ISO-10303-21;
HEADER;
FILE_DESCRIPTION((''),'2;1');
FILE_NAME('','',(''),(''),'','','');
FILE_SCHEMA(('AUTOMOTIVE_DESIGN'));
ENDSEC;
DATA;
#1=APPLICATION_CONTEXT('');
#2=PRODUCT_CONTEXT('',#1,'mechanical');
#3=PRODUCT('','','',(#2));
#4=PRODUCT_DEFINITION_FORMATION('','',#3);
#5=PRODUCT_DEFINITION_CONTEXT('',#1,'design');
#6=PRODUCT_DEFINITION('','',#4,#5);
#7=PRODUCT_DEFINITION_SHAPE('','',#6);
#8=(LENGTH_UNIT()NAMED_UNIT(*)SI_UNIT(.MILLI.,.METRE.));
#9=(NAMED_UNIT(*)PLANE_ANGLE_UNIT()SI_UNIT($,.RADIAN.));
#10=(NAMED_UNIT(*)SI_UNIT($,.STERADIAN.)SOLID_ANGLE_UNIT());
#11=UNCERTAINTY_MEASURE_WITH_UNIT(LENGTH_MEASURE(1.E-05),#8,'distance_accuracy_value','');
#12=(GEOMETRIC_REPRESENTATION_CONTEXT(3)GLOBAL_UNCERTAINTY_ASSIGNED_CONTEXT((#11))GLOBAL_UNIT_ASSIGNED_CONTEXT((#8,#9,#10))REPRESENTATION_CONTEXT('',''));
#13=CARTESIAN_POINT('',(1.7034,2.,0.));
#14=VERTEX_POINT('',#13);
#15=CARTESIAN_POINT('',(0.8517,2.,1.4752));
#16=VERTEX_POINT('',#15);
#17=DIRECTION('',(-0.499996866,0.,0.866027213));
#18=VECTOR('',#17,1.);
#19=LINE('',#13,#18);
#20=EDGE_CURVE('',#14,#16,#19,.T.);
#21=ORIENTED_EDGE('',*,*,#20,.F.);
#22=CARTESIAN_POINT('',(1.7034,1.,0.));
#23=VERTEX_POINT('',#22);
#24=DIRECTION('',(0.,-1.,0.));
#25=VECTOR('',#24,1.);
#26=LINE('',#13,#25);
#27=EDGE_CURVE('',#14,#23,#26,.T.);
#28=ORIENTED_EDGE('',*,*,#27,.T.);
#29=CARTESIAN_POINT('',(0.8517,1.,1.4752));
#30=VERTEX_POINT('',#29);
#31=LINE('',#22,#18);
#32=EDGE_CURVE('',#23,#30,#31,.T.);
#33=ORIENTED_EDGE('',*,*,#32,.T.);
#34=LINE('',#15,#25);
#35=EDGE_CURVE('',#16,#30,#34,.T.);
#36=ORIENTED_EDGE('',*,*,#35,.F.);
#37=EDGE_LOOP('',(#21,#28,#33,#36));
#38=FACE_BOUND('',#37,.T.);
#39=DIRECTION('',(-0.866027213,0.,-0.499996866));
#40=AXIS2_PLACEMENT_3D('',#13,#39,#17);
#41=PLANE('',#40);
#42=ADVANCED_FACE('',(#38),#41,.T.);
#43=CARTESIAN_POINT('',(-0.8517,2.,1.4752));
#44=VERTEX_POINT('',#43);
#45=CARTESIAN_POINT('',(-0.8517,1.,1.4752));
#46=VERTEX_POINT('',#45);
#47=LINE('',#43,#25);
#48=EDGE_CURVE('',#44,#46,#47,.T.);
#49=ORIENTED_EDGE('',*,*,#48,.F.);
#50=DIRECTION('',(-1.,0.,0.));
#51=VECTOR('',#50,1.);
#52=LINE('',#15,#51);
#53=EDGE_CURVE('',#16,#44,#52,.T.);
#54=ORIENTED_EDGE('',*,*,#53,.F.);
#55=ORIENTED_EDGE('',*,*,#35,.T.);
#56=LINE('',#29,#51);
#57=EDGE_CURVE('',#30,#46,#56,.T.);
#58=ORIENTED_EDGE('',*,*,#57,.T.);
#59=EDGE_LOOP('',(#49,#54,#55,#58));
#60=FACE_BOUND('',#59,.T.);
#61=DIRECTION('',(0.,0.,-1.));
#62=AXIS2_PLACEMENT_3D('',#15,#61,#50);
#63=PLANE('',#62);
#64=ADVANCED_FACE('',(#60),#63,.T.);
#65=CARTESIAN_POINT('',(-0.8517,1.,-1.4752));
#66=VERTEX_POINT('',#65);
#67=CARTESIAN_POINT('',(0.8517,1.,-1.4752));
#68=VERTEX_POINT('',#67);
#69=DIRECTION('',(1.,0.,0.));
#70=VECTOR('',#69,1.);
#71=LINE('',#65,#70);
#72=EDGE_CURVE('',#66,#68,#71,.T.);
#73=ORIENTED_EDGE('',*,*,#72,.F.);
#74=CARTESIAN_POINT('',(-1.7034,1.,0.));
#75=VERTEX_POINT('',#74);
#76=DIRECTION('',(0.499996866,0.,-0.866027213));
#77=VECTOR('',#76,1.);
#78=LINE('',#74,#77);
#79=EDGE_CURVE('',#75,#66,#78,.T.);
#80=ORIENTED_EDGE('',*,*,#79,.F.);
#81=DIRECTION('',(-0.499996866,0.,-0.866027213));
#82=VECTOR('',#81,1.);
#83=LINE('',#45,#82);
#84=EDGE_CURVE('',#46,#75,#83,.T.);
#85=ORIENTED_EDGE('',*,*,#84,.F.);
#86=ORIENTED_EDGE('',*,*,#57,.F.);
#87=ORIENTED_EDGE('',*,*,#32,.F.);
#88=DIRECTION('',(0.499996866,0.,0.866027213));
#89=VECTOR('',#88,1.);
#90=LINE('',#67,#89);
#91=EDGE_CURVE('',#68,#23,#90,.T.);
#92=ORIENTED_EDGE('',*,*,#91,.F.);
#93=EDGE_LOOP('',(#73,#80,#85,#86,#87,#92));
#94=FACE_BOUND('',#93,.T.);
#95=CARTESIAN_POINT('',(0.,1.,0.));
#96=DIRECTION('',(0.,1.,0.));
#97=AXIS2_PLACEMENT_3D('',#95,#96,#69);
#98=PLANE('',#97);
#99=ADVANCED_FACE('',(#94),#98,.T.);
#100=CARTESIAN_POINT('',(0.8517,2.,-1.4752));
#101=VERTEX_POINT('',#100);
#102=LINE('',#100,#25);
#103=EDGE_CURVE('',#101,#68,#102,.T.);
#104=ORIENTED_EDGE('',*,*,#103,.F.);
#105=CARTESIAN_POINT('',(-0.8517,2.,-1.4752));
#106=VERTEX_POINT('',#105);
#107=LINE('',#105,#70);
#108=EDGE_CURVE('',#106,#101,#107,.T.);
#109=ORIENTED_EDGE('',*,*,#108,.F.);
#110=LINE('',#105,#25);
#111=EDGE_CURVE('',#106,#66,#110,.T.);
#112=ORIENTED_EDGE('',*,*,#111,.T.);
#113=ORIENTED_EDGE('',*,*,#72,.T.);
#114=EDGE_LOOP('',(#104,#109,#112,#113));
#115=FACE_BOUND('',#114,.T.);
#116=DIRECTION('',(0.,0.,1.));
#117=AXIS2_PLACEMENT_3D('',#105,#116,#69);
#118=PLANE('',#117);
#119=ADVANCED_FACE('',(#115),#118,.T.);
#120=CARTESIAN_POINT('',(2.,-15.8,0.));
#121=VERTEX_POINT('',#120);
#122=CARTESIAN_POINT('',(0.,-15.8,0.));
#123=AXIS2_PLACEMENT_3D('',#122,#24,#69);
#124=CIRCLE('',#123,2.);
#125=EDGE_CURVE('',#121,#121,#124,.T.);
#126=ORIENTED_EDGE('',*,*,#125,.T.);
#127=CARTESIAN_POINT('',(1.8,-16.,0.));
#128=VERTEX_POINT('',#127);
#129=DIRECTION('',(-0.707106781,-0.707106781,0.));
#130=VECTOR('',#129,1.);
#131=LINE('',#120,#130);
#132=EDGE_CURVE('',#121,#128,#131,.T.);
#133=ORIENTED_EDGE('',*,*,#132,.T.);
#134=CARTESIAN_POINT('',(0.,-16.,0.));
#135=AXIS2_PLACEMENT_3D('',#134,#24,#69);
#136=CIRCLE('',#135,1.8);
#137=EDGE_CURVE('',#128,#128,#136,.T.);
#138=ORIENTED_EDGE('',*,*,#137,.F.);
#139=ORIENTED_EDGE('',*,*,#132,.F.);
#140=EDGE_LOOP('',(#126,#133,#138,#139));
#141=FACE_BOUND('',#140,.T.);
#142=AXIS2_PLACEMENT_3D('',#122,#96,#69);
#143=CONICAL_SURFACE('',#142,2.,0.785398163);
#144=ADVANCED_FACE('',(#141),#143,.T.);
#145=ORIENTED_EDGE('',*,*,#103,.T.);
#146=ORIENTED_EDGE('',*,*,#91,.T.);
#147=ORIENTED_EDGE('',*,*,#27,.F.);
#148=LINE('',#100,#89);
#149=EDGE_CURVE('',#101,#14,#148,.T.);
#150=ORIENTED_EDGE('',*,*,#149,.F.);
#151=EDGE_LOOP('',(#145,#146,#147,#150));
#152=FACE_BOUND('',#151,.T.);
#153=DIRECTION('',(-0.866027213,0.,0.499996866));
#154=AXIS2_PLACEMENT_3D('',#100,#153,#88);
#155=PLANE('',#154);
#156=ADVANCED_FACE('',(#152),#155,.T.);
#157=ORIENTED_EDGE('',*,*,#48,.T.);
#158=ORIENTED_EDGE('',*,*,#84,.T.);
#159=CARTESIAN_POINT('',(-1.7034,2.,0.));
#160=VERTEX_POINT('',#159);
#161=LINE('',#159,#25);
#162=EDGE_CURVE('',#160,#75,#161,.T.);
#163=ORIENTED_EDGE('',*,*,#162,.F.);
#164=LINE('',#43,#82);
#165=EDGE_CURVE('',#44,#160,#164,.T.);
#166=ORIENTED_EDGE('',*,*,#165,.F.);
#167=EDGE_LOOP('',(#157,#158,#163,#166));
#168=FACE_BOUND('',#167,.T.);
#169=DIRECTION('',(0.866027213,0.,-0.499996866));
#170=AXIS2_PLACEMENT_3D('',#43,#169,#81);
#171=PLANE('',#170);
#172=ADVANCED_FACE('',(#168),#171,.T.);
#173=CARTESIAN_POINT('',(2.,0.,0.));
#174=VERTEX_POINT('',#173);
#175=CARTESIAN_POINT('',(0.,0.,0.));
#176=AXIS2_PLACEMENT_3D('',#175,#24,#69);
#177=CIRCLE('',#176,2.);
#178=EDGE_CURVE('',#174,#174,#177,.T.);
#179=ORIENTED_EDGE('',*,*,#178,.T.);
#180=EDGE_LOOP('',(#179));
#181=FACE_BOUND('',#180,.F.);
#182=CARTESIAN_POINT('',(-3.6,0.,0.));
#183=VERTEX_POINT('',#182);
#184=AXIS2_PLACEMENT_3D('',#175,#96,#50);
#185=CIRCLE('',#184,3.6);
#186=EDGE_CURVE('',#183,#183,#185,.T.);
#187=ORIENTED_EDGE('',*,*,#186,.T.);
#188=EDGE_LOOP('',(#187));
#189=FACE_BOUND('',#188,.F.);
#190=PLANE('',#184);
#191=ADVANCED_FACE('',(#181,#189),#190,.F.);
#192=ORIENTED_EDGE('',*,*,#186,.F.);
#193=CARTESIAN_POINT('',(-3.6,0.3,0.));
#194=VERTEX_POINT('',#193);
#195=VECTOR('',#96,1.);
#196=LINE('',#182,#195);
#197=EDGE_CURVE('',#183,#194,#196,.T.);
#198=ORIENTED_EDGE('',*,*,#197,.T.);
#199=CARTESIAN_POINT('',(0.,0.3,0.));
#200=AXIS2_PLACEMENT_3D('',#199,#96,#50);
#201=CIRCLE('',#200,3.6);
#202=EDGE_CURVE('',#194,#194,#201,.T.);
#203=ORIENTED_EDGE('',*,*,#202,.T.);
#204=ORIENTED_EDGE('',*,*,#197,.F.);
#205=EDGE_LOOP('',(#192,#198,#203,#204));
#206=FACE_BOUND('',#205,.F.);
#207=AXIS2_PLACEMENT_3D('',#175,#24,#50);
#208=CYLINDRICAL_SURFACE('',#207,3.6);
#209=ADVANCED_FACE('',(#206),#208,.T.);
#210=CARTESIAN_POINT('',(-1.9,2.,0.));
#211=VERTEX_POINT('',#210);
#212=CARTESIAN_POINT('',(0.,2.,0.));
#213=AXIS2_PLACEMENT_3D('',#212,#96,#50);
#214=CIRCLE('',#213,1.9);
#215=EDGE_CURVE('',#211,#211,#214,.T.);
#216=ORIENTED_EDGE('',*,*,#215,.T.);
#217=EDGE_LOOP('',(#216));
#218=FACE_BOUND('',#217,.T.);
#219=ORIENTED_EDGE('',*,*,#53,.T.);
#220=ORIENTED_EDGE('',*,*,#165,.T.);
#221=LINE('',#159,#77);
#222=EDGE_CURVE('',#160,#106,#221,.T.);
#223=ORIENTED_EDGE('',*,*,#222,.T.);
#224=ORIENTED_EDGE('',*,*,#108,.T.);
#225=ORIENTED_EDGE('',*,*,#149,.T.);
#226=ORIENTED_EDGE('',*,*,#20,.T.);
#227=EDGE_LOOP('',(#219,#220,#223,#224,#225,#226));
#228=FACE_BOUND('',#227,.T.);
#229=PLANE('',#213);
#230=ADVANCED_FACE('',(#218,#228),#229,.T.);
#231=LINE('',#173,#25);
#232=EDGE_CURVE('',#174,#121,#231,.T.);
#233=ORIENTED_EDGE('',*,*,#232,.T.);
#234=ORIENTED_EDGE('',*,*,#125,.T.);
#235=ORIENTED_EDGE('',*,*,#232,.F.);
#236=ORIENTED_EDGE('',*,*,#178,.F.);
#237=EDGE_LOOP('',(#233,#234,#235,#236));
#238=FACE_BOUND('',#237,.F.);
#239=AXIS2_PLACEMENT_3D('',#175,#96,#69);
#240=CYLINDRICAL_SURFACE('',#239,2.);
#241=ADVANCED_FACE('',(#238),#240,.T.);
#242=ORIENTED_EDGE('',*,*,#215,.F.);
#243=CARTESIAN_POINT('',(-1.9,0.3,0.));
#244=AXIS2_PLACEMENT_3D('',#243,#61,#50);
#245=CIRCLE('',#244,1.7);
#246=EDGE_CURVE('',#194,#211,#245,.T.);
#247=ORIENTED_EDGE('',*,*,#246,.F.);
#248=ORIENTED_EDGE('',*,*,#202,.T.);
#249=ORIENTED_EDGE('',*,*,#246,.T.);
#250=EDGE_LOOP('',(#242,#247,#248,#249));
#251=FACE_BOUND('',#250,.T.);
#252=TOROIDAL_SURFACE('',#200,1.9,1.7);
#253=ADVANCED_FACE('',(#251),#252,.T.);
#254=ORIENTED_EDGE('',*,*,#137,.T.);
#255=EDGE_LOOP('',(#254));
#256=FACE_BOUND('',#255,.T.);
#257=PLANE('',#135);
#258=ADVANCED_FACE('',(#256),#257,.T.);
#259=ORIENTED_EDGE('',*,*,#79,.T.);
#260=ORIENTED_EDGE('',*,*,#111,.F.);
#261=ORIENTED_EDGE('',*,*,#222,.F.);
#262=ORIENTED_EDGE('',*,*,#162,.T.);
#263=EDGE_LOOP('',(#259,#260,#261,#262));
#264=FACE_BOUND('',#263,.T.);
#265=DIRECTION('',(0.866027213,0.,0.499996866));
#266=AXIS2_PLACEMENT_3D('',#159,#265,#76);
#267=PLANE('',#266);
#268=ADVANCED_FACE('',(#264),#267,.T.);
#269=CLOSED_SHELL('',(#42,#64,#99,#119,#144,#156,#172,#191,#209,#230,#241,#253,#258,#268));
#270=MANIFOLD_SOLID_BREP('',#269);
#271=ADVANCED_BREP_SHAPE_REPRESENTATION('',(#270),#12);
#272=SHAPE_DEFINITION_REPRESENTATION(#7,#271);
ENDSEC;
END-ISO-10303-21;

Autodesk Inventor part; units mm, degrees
ref_plane "YZ Plane" through (0, 0, 0) normal (1, 0, 0) x (0, 1, 0)
ref_plane "XZ Plane" through (0, 0, 0) normal (0, 1, 0) x (-1, 0, 0)
ref_plane "XY Plane" through (0, 0, 0) normal (0, 0, 1) x (1, 0, 0)
sketch "Sketch1" plane through (0, 0, 0) normal (0, 1, 0) x (-1, 0, 0)
  circle A0 centre (0, 0) radius 3.6
  dimension "d0" = 7.2
extrude "Extrusion1" add sketch "Sketch1" along normal blind 2
sketch "Sketch2" plane through (0, 2, 0) normal (0, 1, 0) x (1, 0, 0)
  line L0 (1.7034, 0) -> (0.8517, -1.4752)
  line L1 (0.8517, -1.4752) -> (-0.8517, -1.4752)
  line L2 (-0.8517, -1.4752) -> (-1.7034, 0)
  line L3 (-1.7034, 0) -> (-0.8517, 1.4752)
  line L4 (-0.8517, 1.4752) -> (0.8517, 1.4752)
  line L5 (0.8517, 1.4752) -> (1.7034, 0)
  point P0 (0, 0)
  point P1 (0, 0)
extrude "Extrusion2" cut sketch "Sketch2" against normal blind 1
fillet "Fillet1" radius 1.7 1 edges at (3.6, 2, 0)
sketch "Sketch3" plane through (0, 0, 0) normal (0, -1, 0) x (1, 0, 0)
  circle A0 centre (0, 0) radius 2
  dimension "d6" = 4
extrude "Extrusion3" add sketch "Sketch3" along normal blind 16
thread "Thread1" size "M4x0.7" class "6g" standard "ANSI Metric M Profile" full length
chamfer "Chamfer1" distance 0.2 angle 45 1 edges at (-2, -16, 0)
properties part number "Bolt 4 mm x 16 mm"
